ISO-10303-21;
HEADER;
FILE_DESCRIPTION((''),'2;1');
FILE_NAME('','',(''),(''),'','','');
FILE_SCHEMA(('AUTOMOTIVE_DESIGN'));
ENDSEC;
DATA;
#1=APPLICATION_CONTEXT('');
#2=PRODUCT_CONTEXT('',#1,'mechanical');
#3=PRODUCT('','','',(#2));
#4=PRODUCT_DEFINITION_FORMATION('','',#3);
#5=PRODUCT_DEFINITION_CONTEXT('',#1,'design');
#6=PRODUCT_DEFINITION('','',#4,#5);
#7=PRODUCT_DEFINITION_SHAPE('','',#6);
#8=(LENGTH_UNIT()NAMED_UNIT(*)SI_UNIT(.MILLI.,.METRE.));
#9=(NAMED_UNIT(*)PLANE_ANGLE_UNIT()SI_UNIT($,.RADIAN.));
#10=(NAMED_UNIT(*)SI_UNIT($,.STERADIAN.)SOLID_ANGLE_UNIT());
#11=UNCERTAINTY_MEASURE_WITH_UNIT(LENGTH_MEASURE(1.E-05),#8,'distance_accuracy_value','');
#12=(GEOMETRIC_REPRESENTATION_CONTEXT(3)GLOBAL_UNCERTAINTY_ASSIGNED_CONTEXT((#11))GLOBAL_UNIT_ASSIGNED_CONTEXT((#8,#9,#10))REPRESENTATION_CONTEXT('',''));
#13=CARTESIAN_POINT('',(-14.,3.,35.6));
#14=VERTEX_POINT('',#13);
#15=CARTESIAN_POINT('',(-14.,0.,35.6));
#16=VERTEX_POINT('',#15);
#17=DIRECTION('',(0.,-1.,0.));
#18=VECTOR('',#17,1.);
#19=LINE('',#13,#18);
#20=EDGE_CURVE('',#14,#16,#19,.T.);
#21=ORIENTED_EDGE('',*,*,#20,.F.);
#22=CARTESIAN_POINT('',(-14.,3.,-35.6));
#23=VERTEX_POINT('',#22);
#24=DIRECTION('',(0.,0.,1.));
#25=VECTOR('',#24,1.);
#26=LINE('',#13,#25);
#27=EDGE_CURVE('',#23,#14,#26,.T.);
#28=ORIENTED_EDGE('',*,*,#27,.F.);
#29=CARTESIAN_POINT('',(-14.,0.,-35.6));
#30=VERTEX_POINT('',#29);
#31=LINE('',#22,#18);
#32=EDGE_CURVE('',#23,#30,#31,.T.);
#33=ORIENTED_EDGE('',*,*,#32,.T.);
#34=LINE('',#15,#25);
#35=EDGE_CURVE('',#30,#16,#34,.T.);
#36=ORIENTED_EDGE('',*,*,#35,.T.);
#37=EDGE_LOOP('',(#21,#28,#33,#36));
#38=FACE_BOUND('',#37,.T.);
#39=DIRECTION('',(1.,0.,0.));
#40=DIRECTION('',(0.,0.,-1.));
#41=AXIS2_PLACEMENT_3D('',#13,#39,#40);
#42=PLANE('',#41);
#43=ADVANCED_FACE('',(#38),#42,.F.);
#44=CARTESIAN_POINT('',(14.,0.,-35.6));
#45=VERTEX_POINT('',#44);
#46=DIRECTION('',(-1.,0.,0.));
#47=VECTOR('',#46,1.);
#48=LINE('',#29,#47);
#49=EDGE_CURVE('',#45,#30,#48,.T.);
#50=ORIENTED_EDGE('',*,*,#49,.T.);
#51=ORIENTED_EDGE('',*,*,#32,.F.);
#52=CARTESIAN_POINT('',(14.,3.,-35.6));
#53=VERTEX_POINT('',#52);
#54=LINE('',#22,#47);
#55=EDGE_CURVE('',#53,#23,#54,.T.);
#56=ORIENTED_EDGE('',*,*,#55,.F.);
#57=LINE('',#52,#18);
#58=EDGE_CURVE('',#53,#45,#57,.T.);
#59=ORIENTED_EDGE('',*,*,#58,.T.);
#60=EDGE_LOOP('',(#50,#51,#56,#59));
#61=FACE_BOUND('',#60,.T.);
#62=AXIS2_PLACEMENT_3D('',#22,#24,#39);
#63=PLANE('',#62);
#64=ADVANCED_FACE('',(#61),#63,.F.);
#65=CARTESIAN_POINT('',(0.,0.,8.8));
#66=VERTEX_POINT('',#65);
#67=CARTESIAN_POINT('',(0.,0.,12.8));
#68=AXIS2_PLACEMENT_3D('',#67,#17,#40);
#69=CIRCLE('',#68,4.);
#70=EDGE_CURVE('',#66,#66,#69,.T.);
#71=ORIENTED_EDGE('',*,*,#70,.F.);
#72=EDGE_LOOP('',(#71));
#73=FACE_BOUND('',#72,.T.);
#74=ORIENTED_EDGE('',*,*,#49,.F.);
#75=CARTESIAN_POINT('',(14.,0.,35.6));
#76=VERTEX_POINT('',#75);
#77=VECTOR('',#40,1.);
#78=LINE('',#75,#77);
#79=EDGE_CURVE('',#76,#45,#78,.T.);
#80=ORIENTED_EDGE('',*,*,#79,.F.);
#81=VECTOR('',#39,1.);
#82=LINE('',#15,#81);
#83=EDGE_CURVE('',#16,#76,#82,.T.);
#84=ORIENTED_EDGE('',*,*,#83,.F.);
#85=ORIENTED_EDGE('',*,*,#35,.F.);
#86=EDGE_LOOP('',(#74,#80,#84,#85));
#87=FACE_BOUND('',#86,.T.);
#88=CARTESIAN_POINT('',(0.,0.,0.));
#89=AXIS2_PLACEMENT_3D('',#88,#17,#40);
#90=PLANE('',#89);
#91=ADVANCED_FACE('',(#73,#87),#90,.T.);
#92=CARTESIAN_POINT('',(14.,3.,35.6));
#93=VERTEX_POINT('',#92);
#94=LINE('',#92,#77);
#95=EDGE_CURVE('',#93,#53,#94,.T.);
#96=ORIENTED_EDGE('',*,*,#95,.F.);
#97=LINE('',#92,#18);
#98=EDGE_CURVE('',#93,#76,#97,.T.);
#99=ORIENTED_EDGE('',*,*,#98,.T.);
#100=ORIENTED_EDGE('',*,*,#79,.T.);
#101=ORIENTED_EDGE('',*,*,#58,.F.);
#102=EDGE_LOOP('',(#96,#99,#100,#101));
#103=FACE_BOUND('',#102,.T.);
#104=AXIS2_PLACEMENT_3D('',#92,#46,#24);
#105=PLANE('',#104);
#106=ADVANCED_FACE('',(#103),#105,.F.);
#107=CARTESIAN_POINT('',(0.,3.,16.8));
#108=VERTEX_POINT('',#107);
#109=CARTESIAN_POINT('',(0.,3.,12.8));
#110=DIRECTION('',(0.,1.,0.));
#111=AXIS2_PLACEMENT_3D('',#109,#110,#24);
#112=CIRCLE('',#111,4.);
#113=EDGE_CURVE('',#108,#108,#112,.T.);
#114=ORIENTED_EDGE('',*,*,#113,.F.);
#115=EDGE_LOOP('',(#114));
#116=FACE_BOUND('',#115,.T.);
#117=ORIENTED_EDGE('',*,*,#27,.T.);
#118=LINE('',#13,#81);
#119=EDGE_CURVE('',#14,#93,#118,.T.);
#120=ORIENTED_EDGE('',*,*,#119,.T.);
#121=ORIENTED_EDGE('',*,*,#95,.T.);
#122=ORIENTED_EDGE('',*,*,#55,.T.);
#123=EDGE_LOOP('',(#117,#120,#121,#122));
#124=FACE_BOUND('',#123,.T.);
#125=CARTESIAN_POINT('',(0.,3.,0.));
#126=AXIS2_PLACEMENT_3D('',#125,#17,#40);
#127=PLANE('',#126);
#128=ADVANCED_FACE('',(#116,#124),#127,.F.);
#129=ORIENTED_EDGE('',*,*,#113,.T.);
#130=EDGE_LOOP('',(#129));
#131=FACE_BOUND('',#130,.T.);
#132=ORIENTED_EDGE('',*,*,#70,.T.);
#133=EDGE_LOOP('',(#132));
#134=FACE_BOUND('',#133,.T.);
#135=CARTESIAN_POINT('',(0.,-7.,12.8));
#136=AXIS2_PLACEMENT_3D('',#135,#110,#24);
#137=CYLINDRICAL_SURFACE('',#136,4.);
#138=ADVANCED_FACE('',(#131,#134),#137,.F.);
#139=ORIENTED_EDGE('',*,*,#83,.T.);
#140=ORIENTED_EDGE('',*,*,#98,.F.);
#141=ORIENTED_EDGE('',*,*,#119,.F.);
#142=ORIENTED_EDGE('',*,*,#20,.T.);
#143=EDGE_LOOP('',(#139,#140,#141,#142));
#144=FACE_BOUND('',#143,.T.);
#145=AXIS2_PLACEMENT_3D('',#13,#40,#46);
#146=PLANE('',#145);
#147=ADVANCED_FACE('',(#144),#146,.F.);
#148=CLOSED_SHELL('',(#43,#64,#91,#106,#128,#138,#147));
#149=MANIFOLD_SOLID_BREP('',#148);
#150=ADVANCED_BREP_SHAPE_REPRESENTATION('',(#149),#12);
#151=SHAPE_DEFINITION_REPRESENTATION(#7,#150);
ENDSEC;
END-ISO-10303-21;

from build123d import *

# Parameters (mm, degrees)
SKETCH1_W           = 28
SKETCH1_H           = 71.2
BOSS_EXTRUDE1_DEPTH = 3
SKETCH4_R           = 1
CUT_EXTRUDE2_DEPTH  = 10
SKETCH5_R           = 4
CUT_EXTRUDE3_DEPTH  = 10
SKETCH10_R          = 1.75
CUT_EXTRUDE9_DEPTH  = 1.6
SKETCH12_R          = 1.75
BOSS_EXTRUDE2_DEPTH = 3


with BuildPart() as part:
    # Sketch1 → Boss-Extrude1 (new body)
    with BuildSketch(Plane(origin=(0, 0, 0), x_dir=(1, 0, 0), z_dir=(0, 1, 0))):
        Rectangle(SKETCH1_W, SKETCH1_H)
    extrude(amount=BOSS_EXTRUDE1_DEPTH)

    # Sketch4 → Cut-Extrude2 (cut)
    with BuildSketch(Plane(origin=(0, 3, 0), x_dir=(1, 0, 0), z_dir=(0, 1, 0))):
        with Locations((7, -12.8)):
            Circle(SKETCH4_R)
        with Locations((0, -19.8)):
            Circle(SKETCH4_R)
        with Locations((-7, -12.8)):
            Circle(SKETCH4_R)
        with Locations((0, -5.8)):
            Circle(SKETCH4_R)
    extrude(amount=-CUT_EXTRUDE2_DEPTH, mode=Mode.SUBTRACT)

    # Sketch5 → Cut-Extrude3 (cut)
    with BuildSketch(Plane(origin=(0, 3, 0), x_dir=(1, 0, 0), z_dir=(0, 1, 0))):
        with Locations((0, -12.8)):
            Circle(SKETCH5_R)
    extrude(amount=-CUT_EXTRUDE3_DEPTH, mode=Mode.SUBTRACT)

    # Sketch10 → Cut-Extrude9 (cut)
    with BuildSketch(Plane(origin=(0, 3, 0), x_dir=(1, 0, 0), z_dir=(0, 1, 0))):
        with Locations((0, -19.8)):
            Circle(SKETCH10_R)
        with Locations((-7, -12.8)):
            Circle(SKETCH10_R)
        with Locations((0, -5.8)):
            Circle(SKETCH10_R)
        with Locations((7, -12.8)):
            Circle(SKETCH10_R)
    extrude(amount=-CUT_EXTRUDE9_DEPTH, mode=Mode.SUBTRACT)

    # Sketch12 → Boss-Extrude2 (add)
    with BuildSketch(Plane(origin=(0, 3, 0), x_dir=(1, 0, 0), z_dir=(0, 1, 0))):
        with Locations((0, -19.8)):
            Circle(SKETCH12_R)
        with Locations((-7, -12.8)):
            Circle(SKETCH12_R)
        with Locations((0, -5.8)):
            Circle(SKETCH12_R)
        with Locations((7, -12.8)):
            Circle(SKETCH12_R)
    extrude(amount=-BOSS_EXTRUDE2_DEPTH)


solid = part.part
